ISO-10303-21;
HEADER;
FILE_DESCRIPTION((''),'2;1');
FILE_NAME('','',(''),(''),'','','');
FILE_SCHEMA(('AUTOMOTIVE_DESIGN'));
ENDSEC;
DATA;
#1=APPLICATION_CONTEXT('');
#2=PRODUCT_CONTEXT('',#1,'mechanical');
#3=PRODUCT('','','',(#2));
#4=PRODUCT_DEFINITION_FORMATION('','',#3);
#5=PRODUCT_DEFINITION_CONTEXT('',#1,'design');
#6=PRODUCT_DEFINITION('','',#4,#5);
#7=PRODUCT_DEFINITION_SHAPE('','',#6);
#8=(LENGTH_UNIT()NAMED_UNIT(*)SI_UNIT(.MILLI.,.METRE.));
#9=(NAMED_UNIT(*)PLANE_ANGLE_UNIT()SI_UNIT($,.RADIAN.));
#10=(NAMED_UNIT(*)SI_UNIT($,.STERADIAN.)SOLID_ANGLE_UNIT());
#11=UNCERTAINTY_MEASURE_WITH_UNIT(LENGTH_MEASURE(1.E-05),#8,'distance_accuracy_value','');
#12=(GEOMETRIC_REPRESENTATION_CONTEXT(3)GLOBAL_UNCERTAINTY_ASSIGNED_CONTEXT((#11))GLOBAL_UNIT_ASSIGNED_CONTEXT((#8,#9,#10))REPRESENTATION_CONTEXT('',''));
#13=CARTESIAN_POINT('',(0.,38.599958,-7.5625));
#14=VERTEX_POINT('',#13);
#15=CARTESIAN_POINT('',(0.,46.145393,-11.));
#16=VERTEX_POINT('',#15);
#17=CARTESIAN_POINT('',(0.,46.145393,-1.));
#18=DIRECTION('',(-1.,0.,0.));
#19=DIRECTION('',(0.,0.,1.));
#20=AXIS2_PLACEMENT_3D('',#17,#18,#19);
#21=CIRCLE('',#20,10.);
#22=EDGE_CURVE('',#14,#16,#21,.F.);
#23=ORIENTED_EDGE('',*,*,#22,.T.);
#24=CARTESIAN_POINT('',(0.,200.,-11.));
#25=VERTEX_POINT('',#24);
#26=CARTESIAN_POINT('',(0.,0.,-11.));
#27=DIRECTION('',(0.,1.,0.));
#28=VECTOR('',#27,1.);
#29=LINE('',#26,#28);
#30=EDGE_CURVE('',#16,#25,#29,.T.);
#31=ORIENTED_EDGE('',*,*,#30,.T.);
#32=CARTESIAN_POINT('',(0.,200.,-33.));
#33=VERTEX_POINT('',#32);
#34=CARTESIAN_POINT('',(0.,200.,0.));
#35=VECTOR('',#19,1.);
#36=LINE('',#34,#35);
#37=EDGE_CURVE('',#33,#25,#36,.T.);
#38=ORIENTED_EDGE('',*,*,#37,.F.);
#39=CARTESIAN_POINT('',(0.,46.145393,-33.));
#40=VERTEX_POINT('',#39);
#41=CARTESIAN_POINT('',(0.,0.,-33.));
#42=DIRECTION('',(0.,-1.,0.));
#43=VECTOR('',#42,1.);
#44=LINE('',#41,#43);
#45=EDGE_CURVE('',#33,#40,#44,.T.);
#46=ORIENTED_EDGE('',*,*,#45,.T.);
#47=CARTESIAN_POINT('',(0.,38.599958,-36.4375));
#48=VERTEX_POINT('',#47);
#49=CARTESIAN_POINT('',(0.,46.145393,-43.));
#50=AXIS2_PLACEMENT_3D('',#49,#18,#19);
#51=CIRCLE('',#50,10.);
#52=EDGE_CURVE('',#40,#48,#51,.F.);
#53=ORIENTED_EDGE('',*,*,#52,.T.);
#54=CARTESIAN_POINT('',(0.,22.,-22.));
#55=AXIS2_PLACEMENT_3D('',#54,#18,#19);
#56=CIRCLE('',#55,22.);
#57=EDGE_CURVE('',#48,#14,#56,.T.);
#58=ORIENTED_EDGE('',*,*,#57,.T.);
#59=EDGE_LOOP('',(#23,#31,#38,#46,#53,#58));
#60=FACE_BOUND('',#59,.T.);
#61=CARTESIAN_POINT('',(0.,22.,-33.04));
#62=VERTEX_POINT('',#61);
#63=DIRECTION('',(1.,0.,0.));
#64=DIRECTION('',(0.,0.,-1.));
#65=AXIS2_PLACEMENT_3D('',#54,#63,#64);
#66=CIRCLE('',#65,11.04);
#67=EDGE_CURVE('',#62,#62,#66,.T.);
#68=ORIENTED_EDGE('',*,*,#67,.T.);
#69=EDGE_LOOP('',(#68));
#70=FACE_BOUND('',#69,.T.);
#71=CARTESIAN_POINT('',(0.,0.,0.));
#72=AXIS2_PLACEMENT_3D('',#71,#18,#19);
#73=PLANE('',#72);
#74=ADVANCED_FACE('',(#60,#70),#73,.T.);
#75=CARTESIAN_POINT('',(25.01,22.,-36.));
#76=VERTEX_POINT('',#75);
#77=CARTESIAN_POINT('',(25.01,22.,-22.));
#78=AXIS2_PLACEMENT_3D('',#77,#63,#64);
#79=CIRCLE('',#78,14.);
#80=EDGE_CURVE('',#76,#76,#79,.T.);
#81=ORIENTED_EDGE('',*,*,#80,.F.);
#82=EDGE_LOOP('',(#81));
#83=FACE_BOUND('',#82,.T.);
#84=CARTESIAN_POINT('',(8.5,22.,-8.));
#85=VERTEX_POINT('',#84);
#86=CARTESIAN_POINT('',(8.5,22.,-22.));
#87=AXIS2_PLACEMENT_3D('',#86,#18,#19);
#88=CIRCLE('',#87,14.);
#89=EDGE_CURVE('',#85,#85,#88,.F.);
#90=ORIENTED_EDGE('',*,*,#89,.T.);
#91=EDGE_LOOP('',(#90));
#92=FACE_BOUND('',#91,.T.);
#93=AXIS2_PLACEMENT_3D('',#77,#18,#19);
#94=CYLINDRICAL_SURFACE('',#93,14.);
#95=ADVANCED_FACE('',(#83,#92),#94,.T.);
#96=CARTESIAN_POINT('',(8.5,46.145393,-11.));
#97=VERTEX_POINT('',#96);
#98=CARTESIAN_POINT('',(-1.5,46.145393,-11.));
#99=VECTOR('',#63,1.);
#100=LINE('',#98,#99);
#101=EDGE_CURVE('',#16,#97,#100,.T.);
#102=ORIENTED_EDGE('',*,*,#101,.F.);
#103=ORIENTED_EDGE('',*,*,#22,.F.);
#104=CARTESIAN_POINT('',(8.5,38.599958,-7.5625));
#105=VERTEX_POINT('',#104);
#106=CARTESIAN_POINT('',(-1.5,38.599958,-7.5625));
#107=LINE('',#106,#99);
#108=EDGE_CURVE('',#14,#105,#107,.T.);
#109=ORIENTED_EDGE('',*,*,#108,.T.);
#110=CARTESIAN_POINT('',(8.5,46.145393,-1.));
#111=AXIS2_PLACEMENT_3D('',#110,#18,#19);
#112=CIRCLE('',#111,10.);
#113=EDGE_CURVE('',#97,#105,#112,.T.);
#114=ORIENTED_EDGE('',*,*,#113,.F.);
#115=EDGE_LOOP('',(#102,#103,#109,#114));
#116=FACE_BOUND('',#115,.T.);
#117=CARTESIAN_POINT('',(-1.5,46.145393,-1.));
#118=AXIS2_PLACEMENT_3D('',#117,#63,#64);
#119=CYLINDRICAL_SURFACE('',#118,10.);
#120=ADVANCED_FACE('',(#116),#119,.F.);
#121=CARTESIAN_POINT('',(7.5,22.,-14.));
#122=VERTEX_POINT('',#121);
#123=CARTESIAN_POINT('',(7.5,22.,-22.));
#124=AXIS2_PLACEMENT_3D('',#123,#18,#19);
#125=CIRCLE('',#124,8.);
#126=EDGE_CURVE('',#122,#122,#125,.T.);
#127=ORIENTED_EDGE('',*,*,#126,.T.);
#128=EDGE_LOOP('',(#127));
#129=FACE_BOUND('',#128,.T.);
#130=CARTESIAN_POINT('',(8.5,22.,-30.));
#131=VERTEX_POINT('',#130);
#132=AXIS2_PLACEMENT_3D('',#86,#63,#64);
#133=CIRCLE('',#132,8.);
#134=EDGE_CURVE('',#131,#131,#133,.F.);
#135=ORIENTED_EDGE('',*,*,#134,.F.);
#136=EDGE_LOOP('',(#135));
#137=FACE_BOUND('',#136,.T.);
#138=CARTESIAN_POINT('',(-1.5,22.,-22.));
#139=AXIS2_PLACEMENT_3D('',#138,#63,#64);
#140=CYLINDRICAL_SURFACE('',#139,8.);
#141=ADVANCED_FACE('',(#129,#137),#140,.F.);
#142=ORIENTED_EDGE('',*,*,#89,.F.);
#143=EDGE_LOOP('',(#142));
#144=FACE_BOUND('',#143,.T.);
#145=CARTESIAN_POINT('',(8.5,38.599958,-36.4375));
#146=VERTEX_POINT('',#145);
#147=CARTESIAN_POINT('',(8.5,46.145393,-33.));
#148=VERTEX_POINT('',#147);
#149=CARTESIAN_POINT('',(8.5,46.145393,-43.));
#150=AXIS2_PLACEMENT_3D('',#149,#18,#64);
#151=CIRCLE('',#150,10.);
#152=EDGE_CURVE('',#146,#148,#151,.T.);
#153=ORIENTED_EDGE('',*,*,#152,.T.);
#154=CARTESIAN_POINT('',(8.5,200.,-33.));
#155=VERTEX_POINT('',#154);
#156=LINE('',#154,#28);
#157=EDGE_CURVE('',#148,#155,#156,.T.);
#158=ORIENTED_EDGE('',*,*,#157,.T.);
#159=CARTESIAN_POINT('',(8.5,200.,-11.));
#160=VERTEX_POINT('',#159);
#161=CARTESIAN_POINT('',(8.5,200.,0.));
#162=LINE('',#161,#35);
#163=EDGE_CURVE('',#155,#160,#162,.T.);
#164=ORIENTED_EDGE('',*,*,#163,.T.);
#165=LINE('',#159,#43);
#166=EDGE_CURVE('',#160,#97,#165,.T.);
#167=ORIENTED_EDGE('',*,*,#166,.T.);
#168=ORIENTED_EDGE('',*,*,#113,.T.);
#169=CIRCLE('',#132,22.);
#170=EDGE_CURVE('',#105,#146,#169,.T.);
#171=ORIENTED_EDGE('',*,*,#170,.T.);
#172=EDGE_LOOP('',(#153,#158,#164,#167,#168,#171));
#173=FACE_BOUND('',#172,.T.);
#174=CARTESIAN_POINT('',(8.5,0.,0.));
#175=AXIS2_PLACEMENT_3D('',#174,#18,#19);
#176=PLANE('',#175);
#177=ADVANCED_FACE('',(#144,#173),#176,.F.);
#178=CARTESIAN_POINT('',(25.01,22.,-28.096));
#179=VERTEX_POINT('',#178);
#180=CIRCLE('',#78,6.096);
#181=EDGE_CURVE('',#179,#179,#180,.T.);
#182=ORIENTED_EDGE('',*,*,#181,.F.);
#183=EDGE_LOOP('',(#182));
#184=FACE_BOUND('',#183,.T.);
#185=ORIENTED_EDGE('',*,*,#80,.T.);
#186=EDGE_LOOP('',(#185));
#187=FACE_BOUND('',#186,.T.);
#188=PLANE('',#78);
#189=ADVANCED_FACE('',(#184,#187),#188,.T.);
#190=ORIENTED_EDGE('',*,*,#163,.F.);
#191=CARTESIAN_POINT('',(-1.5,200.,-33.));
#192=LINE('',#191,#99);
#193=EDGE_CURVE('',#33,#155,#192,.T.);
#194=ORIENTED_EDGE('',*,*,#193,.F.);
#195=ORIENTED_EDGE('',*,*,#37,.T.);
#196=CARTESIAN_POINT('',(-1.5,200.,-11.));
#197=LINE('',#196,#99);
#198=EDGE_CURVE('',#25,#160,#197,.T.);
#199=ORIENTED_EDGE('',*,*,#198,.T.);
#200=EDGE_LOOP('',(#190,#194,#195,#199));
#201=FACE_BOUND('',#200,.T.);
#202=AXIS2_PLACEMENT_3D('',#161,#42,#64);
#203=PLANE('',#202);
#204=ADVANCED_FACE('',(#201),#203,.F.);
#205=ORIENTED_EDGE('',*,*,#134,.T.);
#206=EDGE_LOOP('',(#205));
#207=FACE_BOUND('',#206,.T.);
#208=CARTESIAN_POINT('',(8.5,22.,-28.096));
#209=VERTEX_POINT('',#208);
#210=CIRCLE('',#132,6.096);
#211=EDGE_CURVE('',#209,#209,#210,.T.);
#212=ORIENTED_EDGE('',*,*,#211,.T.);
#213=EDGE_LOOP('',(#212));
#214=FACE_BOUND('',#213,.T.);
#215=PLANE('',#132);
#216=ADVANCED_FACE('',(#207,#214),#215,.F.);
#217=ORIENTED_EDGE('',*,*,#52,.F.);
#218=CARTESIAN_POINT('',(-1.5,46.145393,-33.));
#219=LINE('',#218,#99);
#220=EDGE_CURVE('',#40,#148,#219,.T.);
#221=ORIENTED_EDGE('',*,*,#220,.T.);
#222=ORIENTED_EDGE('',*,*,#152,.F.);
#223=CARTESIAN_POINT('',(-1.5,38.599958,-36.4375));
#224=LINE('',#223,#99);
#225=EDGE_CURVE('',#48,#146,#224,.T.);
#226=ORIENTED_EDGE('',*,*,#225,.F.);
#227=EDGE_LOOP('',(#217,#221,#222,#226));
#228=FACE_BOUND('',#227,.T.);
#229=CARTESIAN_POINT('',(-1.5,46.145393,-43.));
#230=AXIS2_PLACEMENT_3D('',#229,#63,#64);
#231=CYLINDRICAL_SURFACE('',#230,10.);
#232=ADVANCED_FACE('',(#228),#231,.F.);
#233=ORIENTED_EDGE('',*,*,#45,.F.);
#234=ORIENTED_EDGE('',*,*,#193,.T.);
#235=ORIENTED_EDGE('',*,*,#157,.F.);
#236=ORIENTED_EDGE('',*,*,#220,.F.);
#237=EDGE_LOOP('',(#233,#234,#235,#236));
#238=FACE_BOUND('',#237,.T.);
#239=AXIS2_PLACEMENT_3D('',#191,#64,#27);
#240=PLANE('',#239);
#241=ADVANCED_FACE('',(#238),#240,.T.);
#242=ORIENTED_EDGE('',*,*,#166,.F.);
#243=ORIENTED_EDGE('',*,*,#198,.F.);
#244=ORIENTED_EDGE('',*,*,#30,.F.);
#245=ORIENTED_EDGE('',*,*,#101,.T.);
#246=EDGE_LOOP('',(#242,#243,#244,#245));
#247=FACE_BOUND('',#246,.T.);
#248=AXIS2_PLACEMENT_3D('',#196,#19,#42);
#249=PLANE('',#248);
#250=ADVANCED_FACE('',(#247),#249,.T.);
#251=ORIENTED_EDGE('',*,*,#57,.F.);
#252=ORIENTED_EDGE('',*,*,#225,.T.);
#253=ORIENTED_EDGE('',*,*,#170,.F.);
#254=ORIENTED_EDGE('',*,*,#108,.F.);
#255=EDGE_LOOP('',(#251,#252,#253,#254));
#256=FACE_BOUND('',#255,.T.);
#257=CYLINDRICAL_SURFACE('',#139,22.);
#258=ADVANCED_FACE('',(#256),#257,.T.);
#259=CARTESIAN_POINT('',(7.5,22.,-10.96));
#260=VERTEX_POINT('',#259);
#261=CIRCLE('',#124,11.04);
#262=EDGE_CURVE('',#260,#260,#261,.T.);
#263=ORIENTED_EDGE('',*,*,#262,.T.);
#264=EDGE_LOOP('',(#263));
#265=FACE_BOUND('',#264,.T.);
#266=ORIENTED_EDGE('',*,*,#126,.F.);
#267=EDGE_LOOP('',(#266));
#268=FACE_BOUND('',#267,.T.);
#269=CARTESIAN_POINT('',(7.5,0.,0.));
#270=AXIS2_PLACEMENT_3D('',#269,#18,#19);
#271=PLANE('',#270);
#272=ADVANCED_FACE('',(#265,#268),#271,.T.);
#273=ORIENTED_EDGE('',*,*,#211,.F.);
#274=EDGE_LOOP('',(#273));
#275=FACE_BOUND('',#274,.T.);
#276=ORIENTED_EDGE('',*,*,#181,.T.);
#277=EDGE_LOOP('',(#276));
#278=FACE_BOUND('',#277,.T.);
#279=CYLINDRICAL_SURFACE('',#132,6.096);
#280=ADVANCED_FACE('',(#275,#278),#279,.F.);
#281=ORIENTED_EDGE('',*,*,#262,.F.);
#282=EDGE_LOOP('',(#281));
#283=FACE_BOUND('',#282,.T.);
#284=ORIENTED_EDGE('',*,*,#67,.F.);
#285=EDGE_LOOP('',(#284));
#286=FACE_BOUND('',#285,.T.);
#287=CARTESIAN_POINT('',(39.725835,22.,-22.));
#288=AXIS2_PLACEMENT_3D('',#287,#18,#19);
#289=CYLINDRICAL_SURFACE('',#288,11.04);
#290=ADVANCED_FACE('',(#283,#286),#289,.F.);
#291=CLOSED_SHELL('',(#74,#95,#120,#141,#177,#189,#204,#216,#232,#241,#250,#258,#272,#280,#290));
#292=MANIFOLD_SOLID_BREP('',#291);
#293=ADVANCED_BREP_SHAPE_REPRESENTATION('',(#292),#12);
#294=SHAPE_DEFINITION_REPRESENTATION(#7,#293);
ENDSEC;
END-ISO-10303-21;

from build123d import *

# Parameters (mm, degrees)
SKETCH2_W           = 44
SKETCH2_H           = 200
BOSS_EXTRUDE2_DEPTH = 8.5
SKETCH4_R           = 11.04
CUT_EXTRUDE1_DEPTH  = 7.5
SKETCH5_OUTSIDE_W   = 86.992
SKETCH5_OUTSIDE_H   = 242.992
SKETCH5_OUTSIDE_R   = 8
CUT_EXTRUDE2_DEPTH  = 10
SKETCH6_R           = 14
BOSS_EXTRUDE3_DEPTH = 16.51
SKETCH8_R           = 6.096
CUT_EXTRUDE4_DEPTH  = 16.51


with BuildPart() as part:
    # Sketch2 → Boss-Extrude2 (new body)
    with BuildSketch(Plane(origin=(0, 0, 0), x_dir=(0, 0, -1), z_dir=(1, 0, 0))):
        with Locations((22, 100)):
            Rectangle(SKETCH2_W, SKETCH2_H)
    extrude(amount=BOSS_EXTRUDE2_DEPTH)

    # Sketch4 → Cut-Extrude1 (cut)
    with BuildSketch(Plane(origin=(0, 0, 0), x_dir=(0, 0, -1), z_dir=(1, 0, 0))):
        with Locations(Location((22, 22, 0), (0, 0, 180))):
            Circle(SKETCH4_R)
    extrude(amount=CUT_EXTRUDE1_DEPTH, mode=Mode.SUBTRACT)

    # Sketch5 outside → Cut-Extrude2 (cut)
    # profile 1 of 2: a face of its own
    with BuildSketch(Plane(origin=(8.5, 0, 0), x_dir=(0, 0, -1), z_dir=(1, 0, 0))):
        with Locations((22, 100)):
            Rectangle(SKETCH5_OUTSIDE_W, SKETCH5_OUTSIDE_H)
        with BuildLine():
            Line((11, 200), (11, 46.145392935))
            ThreePointArc((11, 46.145392935), (10.100137362, 41.999611947), (7.5625, 38.599957643))
            ThreePointArc((7.5625, 38.599957643), (22, 0), (36.4375, 38.599957643))
            ThreePointArc((36.4375, 38.599957643), (33.899862638, 41.999611947), (33, 46.145392935))
            Line((33, 46.145392935), (33, 200))
            Line((33, 200), (11, 200))
        make_face(mode=Mode.SUBTRACT)
    # profile 2 of 2: a face of its own
    with BuildSketch(Plane(origin=(8.5, 0, 0), x_dir=(0, 0, -1), z_dir=(1, 0, 0))):
        with Locations((22, 22)):
            Circle(SKETCH5_OUTSIDE_R)
    extrude(amount=-CUT_EXTRUDE2_DEPTH, mode=Mode.SUBTRACT)

    # Sketch6 → Boss-Extrude3 (add)
    with BuildSketch(Plane(origin=(8.5, 0, 0), x_dir=(0, 0, -1), z_dir=(1, 0, 0))):
        with Locations(Location((22, 22, 0), (0, 0, 180))):
            Circle(SKETCH6_R)
    extrude(amount=BOSS_EXTRUDE3_DEPTH)

    # Sketch8 → Cut-Extrude4 (cut)
    with BuildSketch(Plane(origin=(25.01, 0, 0), x_dir=(0, 0, -1), z_dir=(1, 0, 0))):
        with Locations((22, 22)):
            Circle(SKETCH8_R)
    extrude(amount=-CUT_EXTRUDE4_DEPTH, mode=Mode.SUBTRACT)


solid = part.part
